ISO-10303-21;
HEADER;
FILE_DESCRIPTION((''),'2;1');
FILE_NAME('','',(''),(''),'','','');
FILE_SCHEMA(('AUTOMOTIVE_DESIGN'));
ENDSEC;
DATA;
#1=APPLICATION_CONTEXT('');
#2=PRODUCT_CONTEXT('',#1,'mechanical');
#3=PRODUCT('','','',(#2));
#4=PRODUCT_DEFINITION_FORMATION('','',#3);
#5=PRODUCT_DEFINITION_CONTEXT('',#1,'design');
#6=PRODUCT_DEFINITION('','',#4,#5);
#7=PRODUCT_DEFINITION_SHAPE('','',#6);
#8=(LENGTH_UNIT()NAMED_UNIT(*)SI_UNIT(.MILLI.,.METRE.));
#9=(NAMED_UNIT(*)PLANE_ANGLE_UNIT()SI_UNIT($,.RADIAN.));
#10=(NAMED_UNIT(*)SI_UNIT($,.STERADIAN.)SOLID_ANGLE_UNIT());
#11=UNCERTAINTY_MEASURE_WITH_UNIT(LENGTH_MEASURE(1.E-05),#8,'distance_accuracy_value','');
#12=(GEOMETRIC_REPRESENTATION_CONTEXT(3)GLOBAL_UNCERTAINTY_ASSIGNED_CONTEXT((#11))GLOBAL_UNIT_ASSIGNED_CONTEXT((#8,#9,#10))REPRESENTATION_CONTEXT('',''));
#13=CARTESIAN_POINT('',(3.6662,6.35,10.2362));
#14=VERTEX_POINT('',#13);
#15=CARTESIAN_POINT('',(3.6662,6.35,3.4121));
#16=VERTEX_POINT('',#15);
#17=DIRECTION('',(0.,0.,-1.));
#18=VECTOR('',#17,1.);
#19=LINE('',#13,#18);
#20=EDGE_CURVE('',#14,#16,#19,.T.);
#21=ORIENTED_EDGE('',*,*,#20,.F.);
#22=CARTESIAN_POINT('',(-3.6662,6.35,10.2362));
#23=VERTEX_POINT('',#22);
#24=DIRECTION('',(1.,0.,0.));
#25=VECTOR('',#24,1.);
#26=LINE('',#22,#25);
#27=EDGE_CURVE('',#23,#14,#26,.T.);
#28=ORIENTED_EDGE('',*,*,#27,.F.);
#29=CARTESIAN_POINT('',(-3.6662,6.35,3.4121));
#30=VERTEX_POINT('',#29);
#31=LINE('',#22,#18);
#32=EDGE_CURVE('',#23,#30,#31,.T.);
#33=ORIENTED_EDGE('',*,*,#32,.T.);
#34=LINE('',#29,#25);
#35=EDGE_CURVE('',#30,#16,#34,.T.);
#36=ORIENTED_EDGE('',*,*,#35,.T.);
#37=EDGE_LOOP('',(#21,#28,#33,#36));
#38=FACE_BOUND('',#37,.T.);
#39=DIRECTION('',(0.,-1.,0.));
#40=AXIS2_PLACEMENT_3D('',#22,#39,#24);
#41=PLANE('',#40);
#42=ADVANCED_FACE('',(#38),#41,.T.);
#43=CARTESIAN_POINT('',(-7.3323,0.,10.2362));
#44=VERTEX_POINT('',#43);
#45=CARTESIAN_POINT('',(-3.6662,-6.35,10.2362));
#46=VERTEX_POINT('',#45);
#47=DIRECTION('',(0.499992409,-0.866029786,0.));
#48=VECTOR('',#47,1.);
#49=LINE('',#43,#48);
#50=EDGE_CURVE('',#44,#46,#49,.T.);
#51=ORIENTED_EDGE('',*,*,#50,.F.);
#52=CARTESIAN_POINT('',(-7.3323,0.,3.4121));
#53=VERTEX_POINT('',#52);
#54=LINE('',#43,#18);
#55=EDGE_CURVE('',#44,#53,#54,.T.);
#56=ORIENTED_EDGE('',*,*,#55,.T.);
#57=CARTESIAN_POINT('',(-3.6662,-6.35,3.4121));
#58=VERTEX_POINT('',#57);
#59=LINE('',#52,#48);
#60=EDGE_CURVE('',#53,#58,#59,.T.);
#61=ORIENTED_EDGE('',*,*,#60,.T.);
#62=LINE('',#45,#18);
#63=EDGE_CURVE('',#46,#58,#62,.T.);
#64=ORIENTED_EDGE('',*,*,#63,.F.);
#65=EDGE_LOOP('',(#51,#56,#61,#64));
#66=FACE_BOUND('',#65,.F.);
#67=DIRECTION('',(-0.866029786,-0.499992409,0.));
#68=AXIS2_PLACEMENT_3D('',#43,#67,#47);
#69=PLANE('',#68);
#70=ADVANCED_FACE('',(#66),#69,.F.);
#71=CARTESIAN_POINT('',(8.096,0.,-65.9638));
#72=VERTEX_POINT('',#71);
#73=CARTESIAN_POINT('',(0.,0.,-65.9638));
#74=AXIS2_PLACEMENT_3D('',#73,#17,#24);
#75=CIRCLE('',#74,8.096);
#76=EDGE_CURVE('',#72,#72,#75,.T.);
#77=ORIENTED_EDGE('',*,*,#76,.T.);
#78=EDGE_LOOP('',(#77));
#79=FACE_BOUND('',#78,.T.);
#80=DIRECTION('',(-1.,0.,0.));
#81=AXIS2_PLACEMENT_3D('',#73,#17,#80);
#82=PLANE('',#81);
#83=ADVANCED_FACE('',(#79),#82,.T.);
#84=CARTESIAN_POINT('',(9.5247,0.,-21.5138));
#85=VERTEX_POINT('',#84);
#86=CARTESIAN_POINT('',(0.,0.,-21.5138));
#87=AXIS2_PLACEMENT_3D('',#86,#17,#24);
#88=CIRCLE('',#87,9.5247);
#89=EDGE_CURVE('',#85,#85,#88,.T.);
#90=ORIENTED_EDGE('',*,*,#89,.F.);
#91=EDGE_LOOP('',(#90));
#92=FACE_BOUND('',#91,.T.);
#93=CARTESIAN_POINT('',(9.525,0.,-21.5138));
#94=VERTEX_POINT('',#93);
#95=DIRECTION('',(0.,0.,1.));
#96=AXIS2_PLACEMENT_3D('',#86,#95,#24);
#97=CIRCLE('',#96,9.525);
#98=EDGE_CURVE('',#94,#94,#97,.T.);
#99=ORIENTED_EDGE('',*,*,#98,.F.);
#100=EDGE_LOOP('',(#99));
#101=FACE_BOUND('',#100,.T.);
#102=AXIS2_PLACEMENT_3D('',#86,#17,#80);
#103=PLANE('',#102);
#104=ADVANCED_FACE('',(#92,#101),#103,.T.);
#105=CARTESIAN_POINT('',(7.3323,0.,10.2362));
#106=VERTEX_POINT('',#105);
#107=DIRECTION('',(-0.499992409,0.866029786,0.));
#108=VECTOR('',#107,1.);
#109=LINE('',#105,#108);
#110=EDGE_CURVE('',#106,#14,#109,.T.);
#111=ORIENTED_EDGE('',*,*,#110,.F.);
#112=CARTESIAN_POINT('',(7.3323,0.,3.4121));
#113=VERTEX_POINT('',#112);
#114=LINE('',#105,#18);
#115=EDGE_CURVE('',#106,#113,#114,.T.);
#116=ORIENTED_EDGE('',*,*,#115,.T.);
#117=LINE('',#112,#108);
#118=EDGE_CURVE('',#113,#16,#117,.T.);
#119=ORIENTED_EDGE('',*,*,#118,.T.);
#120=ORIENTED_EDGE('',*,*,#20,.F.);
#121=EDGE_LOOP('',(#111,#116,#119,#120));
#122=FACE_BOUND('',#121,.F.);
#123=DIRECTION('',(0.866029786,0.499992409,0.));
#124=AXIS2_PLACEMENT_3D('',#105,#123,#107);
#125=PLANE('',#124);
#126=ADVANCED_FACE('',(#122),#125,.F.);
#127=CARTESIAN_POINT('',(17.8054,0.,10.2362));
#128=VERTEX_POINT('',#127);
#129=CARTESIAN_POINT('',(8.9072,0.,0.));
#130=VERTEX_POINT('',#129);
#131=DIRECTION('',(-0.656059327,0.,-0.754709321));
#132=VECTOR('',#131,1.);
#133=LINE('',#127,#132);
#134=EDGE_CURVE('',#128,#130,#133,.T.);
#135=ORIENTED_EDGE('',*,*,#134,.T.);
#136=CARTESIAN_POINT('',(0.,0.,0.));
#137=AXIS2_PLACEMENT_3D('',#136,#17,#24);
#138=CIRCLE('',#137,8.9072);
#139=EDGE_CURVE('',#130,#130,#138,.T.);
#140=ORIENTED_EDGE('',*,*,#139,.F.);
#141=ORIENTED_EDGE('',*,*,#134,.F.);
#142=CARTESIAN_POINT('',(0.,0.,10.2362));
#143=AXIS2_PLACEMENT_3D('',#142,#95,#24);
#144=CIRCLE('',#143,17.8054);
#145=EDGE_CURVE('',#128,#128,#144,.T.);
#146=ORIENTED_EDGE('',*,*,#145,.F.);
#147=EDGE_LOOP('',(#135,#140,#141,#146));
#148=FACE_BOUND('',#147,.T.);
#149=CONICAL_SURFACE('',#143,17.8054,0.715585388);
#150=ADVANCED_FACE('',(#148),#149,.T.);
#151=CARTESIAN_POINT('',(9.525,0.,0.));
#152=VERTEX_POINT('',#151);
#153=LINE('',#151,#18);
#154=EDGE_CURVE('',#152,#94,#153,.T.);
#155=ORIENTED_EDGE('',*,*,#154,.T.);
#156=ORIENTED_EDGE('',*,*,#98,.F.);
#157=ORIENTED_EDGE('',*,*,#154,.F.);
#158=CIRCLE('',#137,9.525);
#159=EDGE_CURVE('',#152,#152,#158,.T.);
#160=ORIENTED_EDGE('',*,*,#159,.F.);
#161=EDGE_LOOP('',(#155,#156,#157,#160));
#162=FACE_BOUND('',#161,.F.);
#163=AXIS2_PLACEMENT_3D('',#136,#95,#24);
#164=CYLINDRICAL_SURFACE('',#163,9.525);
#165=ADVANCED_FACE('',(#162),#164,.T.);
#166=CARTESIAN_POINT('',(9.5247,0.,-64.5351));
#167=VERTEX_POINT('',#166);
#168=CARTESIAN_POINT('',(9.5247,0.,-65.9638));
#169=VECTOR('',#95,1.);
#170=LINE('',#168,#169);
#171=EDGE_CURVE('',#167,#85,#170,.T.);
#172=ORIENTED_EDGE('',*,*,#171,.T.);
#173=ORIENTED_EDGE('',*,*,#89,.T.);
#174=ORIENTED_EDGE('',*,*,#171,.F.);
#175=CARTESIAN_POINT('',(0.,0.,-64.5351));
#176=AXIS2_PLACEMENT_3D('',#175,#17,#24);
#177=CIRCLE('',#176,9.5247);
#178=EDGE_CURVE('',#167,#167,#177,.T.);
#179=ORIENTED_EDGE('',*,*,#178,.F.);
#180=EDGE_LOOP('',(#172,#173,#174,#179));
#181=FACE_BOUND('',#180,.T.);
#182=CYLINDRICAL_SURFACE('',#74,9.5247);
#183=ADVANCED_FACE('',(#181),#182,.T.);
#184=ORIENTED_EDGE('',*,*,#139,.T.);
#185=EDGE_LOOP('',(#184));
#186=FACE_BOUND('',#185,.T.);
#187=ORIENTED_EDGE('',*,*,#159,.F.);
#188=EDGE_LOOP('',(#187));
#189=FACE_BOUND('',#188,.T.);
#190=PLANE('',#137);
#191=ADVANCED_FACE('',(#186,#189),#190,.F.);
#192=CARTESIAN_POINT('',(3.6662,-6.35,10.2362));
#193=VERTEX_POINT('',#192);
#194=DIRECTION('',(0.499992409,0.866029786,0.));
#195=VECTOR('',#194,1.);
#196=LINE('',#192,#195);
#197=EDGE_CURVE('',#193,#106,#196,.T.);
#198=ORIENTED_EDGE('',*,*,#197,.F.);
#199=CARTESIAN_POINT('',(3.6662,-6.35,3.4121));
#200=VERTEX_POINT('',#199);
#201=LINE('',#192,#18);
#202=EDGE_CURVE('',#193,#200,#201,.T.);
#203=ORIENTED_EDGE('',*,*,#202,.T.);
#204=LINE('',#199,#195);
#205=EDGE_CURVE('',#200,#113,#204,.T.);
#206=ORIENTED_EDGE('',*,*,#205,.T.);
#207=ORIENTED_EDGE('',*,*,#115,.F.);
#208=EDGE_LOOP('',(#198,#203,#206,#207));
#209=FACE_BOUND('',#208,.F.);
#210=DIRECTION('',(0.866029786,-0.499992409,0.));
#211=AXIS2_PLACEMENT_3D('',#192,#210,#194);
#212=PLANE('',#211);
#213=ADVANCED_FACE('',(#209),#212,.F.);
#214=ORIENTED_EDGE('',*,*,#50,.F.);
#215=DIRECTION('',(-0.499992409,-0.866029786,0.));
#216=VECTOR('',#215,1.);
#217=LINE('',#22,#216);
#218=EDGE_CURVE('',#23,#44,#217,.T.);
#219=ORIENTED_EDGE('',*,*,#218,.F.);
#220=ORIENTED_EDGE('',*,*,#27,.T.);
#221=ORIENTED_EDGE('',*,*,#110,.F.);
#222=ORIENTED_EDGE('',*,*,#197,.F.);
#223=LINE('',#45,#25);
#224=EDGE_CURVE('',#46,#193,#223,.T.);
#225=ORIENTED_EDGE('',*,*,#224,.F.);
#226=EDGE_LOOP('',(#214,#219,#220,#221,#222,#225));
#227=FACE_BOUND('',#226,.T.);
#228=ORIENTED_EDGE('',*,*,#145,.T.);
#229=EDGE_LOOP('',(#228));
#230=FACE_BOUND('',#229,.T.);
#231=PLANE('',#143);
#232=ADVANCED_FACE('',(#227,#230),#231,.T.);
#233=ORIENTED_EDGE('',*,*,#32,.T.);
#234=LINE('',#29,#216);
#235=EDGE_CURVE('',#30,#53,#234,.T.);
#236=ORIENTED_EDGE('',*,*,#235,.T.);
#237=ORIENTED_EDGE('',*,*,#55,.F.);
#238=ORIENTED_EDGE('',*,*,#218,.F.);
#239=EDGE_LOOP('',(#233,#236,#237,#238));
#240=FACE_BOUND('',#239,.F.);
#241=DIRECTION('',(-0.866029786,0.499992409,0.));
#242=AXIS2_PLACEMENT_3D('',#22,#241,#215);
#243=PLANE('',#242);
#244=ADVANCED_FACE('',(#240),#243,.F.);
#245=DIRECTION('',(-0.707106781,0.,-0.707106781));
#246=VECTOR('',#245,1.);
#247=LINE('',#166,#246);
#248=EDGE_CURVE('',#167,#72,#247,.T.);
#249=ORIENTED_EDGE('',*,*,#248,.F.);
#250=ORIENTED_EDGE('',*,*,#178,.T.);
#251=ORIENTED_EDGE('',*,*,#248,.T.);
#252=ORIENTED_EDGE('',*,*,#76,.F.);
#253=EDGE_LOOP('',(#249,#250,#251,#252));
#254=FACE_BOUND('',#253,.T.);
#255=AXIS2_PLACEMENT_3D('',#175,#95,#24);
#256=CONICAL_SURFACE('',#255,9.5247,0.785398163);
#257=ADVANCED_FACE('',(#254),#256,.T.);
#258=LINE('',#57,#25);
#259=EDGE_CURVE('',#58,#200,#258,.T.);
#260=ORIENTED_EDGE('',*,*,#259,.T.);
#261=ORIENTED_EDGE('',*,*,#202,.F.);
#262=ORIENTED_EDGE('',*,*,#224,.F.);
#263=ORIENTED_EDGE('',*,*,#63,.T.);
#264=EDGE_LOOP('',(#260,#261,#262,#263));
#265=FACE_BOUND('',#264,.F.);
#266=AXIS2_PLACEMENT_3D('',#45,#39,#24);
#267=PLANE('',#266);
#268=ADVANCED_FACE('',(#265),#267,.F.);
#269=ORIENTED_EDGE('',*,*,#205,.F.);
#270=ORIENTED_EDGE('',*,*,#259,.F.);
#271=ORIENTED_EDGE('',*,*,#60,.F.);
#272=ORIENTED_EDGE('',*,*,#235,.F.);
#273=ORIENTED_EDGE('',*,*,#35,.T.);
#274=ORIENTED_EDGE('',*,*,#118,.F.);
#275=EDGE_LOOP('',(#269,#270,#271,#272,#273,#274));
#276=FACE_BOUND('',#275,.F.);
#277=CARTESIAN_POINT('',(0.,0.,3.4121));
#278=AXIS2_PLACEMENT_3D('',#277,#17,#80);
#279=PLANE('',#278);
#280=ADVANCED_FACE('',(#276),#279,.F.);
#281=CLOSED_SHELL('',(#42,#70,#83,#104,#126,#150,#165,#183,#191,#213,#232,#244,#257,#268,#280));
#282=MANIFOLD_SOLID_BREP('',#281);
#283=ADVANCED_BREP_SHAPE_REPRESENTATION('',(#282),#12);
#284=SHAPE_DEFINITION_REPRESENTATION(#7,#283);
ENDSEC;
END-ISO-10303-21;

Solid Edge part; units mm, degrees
sketch "Sketch1" plane through (0, 0, 0) normal (0, 0, 1) x (1, 0, 0)
  circle A0 centre (0, 0) radius 17.8054
  dimension "D1" = 35.6108
extrude "Protrusion1" add sketch "Sketch1" along normal blind 10.2362
sketch "Sketch2" plane through (0, 0, 0) normal (0, 0, -1) x (1, 0, 0)
  circle A0 centre (0, 0) radius 9.525
extrude "Protrusion2" add sketch "Sketch2" along normal blind 65.9638
sketch "Sketch3" plane through (0, 0, -65.9638) normal (0, 0, -1) x (1, 0, 0)
  circle A0 centre (0, 0) radius 9.5247
extrude "Cutout1" cut sketch "Sketch3" against normal blind 44.45 flip side to cut
chamfer "Chamfer_1" distance 1.4287 angle 45 1 edges at (-9.5247, 0, -65.9638)
sketch "Sketch4" plane through (0, 0, 10.2362) normal (0, 0, 1) x (1, 0, 0)
  line L0 (-3.6662, 6.35) -> (3.6662, 6.35)
  line L1 (7.3323, 0) -> (3.6662, 6.35)
  line L2 (3.6662, -6.35) -> (7.3323, 0)
  line L3 (-3.6662, -6.35) -> (3.6662, -6.35)
  line L4 (-7.3323, 0) -> (-3.6662, -6.35)
  line L5 (-3.6662, 6.35) -> (-7.3323, 0)
  dimension "D1" = 12.7
extrude "Cutout2" cut sketch "Sketch4" against normal blind 6.8241
sketch "Sketch5" plane through (0, 0, 0) normal (0, -1, 0) x (1, 0, 0)
  line L0 (17.8054, 10.2362) -> (8.9072, 0)
  line L1 (8.9072, 0) -> (17.8054, 0)
  line L2 (17.8054, 0) -> (17.8054, 10.2362)
revolve "RevolvedCutout1" cut sketch "Sketch5" angle 360 about axis through (0, 0, 14.0017) along (0, 0, -1)
properties part number "24107436"
